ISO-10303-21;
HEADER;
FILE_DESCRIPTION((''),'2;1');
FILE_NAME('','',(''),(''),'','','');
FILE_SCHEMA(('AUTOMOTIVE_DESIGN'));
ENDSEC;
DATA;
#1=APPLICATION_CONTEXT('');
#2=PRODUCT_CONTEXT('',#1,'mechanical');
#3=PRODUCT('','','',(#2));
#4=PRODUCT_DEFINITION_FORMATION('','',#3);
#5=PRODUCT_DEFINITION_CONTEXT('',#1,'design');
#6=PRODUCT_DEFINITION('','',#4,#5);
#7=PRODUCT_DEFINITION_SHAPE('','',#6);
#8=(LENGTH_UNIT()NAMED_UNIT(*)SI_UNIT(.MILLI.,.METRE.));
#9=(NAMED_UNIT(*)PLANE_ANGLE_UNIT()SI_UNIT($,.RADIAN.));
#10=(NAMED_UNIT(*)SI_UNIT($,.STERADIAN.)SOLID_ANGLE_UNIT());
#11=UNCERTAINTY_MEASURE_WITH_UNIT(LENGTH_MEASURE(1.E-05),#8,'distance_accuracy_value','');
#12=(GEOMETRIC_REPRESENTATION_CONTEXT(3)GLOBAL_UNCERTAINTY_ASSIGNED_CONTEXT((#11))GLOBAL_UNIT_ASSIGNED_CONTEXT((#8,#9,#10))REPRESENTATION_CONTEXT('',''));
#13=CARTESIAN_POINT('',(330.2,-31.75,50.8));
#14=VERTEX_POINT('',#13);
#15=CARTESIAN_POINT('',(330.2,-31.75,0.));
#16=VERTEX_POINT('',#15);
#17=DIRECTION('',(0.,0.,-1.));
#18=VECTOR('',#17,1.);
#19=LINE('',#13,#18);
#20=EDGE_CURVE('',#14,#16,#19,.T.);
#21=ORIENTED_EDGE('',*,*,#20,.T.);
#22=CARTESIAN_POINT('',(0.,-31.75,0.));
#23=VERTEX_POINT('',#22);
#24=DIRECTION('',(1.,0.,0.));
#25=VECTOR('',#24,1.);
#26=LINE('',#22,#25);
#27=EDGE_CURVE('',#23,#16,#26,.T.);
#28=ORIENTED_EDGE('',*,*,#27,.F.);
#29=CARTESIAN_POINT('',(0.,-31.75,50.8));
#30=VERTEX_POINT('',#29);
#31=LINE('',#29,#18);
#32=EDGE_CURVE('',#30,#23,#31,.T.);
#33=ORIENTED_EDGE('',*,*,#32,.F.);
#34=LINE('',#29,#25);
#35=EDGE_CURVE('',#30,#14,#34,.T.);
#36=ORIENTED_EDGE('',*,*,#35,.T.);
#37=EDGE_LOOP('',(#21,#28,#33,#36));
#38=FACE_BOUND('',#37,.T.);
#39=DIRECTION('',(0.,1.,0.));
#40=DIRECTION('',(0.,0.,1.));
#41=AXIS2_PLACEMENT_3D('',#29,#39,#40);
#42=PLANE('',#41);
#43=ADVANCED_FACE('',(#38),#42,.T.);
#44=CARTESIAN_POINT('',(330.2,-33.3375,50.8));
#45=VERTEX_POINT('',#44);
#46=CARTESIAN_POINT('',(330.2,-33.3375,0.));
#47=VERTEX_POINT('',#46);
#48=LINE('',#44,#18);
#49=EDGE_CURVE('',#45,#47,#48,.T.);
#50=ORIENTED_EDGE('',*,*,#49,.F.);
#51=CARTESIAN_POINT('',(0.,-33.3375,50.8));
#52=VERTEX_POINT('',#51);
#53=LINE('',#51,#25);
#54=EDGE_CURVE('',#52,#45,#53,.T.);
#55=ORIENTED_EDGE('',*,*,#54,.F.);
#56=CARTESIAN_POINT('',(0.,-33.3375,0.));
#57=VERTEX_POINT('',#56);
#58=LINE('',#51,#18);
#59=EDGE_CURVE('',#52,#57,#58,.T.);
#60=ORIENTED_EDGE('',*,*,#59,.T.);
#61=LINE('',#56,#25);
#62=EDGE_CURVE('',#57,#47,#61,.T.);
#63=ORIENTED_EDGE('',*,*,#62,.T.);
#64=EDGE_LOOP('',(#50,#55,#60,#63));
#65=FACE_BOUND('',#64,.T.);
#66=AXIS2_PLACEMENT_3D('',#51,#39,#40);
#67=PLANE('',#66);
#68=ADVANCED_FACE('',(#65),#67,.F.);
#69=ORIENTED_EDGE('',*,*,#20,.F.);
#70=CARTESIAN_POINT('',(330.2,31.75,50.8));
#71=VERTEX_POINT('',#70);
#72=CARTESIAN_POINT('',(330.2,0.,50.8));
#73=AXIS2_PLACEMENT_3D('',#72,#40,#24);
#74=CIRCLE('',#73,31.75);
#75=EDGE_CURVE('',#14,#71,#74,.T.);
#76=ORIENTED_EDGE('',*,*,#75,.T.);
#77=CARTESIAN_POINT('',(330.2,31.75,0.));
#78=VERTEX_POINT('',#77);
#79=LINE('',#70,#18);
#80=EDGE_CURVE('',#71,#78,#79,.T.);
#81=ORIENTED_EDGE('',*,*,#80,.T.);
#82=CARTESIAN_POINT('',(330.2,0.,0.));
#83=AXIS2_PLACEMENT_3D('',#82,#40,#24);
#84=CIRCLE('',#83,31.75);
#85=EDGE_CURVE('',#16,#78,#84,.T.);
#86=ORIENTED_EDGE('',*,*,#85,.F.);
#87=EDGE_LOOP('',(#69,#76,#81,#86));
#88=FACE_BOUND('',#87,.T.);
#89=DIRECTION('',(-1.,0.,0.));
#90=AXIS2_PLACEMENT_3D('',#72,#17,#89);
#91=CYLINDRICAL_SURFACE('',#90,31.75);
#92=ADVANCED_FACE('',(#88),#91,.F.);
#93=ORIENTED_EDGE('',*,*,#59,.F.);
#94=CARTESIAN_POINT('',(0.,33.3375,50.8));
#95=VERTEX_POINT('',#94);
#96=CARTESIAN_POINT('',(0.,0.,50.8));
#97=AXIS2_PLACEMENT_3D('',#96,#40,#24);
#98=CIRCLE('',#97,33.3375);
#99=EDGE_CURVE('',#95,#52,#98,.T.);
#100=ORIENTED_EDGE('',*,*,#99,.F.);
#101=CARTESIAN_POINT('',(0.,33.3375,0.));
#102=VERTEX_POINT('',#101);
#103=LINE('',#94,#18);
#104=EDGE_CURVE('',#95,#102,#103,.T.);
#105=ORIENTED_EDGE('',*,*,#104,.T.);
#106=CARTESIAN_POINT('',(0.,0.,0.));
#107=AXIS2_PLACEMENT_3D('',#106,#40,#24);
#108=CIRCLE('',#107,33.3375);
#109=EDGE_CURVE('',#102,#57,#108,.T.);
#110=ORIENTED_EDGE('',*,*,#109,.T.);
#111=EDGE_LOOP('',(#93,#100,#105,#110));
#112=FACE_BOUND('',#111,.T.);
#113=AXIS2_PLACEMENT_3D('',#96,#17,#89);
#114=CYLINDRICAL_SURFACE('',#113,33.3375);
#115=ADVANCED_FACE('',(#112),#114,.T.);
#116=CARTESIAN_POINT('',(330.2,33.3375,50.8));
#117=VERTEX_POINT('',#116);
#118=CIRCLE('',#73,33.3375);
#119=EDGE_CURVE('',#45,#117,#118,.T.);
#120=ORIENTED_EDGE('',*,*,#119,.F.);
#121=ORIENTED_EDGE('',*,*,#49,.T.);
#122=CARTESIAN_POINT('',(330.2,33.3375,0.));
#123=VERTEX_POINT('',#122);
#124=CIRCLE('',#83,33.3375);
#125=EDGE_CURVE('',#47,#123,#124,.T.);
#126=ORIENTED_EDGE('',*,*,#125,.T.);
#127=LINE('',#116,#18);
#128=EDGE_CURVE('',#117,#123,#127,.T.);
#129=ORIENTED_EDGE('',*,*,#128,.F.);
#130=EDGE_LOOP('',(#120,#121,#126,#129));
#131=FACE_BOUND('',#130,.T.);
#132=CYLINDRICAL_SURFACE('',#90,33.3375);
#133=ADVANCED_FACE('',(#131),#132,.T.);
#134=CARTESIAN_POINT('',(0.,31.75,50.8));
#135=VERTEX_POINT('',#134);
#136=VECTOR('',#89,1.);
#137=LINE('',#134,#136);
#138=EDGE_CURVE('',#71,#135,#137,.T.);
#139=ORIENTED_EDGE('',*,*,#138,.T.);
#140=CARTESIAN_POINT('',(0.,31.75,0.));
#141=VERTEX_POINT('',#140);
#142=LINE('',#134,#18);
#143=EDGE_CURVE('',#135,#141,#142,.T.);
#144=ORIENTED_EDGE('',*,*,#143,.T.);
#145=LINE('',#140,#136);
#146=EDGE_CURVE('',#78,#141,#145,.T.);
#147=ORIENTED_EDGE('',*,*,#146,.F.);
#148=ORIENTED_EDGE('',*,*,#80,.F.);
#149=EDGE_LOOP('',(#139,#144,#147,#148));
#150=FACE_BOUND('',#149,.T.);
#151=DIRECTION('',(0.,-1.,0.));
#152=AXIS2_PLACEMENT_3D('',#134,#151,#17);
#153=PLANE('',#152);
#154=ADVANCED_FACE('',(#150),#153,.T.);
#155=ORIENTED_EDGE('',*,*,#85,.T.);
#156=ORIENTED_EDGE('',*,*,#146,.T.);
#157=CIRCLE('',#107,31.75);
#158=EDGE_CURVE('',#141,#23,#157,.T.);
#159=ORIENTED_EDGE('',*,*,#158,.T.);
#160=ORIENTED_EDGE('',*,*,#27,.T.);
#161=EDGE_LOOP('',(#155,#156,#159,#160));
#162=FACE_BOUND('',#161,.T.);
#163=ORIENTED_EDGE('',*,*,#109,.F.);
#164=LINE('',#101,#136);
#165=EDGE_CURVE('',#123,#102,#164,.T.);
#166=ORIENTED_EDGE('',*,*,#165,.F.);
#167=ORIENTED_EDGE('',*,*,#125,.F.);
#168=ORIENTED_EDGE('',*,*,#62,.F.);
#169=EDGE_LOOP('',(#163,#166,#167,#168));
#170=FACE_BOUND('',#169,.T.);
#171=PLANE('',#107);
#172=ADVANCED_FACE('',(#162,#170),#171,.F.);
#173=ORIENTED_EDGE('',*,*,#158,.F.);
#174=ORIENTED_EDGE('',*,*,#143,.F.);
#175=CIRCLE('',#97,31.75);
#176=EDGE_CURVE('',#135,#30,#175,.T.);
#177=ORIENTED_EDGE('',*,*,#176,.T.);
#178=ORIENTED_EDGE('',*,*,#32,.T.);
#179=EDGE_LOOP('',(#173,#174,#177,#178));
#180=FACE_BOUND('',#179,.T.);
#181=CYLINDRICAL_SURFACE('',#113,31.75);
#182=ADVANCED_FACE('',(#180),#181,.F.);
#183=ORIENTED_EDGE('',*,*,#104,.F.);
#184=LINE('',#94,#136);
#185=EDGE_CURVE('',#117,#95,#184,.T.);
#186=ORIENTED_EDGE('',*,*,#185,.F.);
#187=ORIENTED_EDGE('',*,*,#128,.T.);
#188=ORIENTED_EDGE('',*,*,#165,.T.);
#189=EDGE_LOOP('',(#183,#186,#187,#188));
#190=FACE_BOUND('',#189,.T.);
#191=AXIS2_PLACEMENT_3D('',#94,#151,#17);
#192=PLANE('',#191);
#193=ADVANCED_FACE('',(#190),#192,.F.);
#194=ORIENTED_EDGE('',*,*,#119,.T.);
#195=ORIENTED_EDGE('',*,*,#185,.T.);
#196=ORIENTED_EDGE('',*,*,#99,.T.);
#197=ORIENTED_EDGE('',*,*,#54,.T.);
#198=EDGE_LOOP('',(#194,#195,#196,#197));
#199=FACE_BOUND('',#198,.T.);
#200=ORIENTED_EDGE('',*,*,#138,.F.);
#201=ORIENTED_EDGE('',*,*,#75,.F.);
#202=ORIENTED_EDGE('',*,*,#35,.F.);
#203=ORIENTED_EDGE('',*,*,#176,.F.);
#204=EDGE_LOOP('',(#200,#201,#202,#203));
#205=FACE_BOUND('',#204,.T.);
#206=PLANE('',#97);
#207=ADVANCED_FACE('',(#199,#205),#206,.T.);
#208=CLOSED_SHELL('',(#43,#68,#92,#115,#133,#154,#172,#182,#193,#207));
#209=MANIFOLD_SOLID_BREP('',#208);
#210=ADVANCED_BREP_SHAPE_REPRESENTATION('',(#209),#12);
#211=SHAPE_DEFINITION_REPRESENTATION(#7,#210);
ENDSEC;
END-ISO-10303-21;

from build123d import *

# Parameters (mm, degrees)
BOSS_EXTRUDE1_DEPTH = 50.8


with BuildPart() as part:
    # Sketch1 → Boss-Extrude1 (new body)
    with BuildSketch(Plane.XY):
        with BuildLine():
            Line((0, 33.3375), (330.2, 33.3375))
            ThreePointArc((330.2, 33.3375), (363.5375, 0), (330.2, -33.3375))
            Line((330.2, -33.3375), (0, -33.3375))
            ThreePointArc((0, -33.3375), (-33.3375, 0), (0, 33.3375))
        make_face()
        with BuildLine():
            Line((0, 31.75), (330.2, 31.75))
            ThreePointArc((330.2, 31.75), (361.95, 0), (330.2, -31.75))
            Line((330.2, -31.75), (0, -31.75))
            ThreePointArc((0, -31.75), (-31.75, 0), (0, 31.75))
        make_face(mode=Mode.SUBTRACT)
    extrude(amount=BOSS_EXTRUDE1_DEPTH)


solid = part.part
